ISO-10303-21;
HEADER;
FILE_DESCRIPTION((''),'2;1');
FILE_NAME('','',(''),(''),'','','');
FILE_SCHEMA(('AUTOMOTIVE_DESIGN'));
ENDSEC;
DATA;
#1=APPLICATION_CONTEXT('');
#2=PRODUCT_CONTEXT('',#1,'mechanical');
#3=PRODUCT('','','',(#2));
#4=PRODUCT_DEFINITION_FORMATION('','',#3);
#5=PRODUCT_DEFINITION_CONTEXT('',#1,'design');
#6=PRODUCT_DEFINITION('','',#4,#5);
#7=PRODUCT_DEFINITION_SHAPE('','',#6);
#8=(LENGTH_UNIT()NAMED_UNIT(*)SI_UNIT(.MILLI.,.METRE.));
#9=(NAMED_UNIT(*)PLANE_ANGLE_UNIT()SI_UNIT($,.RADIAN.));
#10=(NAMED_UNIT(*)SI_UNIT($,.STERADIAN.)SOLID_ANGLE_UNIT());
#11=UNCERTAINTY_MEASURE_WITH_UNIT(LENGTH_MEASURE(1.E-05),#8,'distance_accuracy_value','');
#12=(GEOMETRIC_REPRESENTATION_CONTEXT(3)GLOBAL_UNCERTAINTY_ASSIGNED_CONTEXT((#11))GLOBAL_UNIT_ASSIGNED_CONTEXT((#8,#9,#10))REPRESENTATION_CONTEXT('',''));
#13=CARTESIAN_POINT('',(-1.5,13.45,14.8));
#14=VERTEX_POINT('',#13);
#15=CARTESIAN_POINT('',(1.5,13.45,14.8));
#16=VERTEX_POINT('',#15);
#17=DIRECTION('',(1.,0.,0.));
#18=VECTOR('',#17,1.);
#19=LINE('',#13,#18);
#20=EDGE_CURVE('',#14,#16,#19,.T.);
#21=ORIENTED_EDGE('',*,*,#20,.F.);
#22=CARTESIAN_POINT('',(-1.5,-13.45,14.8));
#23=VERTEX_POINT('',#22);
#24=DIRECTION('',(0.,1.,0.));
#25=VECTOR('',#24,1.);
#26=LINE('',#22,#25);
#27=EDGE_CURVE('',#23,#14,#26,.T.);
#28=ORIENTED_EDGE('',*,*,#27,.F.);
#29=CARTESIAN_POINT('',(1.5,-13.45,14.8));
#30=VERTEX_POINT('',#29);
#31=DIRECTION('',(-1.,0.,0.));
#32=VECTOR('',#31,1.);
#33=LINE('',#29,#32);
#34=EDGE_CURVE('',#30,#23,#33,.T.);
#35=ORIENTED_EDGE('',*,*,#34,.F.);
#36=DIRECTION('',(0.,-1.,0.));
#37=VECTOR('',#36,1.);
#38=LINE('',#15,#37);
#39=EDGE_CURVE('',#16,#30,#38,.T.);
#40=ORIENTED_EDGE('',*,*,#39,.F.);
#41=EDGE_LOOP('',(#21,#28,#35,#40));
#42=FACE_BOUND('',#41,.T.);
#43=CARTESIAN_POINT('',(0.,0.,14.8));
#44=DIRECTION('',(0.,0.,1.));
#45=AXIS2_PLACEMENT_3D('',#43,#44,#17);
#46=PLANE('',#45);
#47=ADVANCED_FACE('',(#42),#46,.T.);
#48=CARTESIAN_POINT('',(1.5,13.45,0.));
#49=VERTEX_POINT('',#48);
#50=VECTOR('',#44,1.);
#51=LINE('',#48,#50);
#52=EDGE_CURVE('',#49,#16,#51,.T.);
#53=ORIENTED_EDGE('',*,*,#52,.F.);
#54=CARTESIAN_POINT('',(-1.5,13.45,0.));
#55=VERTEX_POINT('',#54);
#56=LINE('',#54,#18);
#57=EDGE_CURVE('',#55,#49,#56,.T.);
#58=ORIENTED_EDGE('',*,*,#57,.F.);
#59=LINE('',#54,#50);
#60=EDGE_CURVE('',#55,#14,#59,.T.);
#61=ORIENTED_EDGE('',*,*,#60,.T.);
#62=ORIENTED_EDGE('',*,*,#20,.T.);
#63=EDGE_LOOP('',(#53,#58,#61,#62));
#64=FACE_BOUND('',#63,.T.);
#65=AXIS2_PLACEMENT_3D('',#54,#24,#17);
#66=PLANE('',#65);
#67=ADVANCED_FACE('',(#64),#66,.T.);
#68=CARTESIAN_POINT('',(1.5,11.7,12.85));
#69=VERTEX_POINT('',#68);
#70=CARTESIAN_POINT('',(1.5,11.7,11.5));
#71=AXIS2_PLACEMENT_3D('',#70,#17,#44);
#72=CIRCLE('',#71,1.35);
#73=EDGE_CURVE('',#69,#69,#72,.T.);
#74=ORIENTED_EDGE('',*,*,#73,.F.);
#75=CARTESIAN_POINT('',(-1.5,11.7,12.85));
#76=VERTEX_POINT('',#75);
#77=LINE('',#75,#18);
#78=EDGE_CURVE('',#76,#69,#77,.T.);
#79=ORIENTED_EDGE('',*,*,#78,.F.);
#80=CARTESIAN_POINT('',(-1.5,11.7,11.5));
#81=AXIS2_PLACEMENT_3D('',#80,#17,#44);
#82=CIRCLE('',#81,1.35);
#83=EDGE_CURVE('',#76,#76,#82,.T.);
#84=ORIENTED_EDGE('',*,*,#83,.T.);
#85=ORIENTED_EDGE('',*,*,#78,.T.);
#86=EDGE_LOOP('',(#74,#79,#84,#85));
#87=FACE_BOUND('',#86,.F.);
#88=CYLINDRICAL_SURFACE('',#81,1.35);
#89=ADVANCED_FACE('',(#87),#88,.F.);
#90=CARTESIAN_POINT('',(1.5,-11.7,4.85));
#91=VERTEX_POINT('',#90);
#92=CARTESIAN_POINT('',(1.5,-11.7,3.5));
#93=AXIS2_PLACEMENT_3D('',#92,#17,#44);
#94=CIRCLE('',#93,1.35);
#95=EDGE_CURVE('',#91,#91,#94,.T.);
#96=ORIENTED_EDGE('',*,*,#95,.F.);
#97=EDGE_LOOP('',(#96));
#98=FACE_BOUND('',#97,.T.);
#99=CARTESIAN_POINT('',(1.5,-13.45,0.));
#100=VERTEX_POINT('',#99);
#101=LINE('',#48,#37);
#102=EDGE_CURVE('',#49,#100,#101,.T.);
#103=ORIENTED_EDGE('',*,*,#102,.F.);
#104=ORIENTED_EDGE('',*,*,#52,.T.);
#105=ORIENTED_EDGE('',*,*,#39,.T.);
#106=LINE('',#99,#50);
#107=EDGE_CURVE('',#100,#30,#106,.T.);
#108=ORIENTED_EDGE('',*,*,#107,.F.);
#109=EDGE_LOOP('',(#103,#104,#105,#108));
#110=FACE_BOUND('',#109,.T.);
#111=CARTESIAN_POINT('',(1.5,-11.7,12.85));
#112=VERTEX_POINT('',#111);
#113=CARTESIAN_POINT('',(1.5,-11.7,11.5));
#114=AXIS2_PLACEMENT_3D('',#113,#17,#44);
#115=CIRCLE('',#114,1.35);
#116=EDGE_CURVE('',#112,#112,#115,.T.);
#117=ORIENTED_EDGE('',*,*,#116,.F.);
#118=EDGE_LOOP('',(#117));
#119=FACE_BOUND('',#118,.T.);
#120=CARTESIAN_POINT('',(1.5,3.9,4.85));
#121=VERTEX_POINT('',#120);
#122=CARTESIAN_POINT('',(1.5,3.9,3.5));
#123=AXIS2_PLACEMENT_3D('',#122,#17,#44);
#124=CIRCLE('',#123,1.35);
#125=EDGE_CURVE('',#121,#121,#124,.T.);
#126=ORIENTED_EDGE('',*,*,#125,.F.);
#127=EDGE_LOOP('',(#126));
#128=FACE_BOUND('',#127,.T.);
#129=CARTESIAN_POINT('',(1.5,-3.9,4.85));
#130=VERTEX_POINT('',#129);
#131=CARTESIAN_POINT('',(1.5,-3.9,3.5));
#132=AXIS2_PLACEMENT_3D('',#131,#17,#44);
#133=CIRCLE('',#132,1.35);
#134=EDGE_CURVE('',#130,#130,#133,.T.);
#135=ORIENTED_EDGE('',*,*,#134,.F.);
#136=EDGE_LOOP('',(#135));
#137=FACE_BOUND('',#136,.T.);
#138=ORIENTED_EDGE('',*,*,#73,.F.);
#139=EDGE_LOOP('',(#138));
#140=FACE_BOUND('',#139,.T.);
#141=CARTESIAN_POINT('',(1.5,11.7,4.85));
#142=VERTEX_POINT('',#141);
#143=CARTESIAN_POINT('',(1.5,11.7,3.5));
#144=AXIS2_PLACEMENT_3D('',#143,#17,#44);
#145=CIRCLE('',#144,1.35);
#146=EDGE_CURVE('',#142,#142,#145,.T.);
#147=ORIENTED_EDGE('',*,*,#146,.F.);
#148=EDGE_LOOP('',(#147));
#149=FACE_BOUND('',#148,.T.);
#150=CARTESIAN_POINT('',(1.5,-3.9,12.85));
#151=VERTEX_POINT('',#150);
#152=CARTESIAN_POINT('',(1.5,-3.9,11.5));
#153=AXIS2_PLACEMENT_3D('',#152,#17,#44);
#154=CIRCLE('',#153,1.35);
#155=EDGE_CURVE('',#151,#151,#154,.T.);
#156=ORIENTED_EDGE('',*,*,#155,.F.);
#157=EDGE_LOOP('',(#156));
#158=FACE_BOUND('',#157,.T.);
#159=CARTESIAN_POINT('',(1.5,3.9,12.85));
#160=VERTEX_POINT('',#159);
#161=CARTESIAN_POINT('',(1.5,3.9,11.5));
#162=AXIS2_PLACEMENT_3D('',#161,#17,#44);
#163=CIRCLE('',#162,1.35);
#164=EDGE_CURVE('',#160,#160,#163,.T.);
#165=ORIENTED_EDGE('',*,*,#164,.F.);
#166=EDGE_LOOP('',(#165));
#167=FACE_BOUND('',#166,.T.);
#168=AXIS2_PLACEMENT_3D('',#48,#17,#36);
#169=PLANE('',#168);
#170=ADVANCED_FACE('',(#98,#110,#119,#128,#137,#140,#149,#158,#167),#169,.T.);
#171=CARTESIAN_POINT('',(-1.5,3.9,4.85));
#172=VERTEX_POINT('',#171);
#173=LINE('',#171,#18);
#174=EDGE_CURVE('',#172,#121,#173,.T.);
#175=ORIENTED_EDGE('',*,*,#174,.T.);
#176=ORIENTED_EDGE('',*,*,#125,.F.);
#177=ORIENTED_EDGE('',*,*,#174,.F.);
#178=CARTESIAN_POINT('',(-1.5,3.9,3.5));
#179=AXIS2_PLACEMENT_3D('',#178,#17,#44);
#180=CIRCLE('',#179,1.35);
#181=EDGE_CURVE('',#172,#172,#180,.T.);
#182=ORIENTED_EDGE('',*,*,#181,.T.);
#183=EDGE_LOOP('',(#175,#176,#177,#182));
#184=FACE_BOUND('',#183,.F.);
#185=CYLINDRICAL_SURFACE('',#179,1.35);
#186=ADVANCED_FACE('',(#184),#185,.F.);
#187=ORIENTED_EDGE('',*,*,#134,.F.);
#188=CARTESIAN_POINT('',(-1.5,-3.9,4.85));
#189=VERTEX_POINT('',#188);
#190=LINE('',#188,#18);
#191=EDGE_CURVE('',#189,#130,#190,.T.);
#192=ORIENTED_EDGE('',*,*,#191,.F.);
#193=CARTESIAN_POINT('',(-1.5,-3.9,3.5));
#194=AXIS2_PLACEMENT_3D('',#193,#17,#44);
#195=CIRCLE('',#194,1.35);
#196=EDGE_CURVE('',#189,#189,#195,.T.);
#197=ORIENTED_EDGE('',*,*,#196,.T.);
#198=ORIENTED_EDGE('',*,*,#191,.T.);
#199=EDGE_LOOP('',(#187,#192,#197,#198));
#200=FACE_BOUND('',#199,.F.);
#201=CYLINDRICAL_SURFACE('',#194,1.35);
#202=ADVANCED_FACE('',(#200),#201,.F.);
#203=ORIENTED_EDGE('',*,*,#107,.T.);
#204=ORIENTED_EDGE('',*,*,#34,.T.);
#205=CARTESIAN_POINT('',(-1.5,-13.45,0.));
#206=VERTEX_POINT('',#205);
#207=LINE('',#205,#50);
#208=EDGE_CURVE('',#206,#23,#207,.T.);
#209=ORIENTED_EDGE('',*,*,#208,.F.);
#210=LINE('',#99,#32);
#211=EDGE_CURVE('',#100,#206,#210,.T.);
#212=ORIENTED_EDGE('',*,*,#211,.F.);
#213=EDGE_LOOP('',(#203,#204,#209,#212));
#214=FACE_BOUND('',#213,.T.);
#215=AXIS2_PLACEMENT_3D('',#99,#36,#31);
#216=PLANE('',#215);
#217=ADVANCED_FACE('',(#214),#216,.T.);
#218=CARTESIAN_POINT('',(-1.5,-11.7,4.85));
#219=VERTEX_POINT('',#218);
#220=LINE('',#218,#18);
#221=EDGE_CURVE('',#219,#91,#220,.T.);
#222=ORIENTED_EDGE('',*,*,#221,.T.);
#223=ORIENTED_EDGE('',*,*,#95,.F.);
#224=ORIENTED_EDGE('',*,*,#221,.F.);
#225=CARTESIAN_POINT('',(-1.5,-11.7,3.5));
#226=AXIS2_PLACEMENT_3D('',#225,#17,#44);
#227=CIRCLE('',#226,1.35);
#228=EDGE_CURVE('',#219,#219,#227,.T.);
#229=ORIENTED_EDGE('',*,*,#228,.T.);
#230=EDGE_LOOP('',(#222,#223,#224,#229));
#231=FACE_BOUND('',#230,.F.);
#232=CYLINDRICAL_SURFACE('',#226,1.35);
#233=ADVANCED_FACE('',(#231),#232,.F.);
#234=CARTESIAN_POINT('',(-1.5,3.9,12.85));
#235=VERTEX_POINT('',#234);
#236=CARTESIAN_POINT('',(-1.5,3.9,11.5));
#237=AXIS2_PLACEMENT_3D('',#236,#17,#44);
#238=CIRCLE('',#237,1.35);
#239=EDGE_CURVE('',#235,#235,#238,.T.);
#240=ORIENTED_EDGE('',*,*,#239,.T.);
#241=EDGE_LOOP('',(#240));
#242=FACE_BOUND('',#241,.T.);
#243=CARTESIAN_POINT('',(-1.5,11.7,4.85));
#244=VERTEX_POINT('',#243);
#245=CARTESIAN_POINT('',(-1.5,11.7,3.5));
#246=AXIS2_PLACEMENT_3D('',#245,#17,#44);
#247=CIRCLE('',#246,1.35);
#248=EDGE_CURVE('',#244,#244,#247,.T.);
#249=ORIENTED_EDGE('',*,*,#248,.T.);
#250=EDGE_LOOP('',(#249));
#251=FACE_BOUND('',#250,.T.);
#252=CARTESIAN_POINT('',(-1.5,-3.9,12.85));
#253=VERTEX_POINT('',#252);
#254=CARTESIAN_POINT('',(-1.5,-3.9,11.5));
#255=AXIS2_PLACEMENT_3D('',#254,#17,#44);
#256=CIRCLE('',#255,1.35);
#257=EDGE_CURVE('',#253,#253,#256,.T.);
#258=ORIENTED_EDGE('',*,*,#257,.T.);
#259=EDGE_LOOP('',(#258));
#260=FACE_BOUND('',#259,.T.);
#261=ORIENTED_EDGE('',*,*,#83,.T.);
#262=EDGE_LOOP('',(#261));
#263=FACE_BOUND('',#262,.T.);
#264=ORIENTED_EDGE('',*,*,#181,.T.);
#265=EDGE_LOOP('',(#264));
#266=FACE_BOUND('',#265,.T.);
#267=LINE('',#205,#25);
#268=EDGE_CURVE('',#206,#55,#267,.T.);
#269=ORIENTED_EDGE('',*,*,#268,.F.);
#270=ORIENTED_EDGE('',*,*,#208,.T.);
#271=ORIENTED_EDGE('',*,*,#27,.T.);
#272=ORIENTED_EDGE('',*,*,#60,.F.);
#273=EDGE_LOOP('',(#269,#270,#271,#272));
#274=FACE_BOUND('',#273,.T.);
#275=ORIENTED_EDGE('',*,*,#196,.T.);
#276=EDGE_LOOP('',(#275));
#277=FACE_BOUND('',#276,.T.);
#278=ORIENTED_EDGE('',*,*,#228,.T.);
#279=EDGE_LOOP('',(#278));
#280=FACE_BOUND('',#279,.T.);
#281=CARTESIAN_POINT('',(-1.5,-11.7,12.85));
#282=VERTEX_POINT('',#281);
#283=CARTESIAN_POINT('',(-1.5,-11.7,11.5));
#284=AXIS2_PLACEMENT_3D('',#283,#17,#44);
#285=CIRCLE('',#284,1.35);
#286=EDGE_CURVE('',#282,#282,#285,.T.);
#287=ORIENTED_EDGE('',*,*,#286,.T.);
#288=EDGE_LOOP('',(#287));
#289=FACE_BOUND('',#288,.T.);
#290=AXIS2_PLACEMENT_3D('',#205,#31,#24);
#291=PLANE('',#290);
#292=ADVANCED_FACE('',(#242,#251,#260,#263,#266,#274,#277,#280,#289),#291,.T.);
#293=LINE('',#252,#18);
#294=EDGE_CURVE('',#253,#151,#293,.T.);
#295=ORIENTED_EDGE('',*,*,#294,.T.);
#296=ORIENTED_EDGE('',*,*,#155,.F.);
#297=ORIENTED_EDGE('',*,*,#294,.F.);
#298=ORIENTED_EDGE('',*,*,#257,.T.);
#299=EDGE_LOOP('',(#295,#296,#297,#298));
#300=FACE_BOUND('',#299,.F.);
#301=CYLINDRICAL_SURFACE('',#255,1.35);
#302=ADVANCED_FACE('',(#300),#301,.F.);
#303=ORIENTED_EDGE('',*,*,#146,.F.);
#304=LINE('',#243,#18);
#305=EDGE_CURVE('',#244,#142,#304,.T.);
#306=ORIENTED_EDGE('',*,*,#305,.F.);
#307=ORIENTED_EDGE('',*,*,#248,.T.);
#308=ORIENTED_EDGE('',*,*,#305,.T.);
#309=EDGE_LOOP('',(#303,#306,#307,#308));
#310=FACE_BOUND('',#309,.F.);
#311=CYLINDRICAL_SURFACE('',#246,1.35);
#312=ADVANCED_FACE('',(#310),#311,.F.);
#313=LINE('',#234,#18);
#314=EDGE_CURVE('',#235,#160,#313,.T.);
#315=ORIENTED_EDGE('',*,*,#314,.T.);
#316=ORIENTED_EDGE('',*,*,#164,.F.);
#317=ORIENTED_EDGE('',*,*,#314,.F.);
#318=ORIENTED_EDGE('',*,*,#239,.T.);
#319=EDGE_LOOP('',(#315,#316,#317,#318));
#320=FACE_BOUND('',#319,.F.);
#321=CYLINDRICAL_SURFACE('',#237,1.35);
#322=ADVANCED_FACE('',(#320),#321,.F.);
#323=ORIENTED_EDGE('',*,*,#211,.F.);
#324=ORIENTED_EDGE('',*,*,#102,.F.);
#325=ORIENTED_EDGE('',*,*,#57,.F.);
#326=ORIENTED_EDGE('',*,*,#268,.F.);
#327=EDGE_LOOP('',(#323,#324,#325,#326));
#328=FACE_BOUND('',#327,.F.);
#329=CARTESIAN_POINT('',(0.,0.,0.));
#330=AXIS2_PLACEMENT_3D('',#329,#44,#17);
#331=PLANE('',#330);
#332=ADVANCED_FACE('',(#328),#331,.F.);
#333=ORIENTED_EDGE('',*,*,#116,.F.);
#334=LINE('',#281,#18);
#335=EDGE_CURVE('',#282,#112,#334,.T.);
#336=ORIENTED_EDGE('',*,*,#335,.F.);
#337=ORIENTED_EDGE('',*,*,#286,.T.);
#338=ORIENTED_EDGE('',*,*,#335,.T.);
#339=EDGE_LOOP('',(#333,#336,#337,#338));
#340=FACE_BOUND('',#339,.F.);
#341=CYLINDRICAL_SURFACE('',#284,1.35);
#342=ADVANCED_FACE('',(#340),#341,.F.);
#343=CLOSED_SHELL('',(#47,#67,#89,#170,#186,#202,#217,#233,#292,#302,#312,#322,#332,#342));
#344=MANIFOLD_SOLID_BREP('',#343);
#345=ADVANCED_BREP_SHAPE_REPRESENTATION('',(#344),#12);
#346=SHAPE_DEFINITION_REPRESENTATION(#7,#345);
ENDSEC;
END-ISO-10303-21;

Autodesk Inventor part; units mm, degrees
ref_plane "YZ Plane" through (0, 0, 0) normal (1, 0, 0) x (0, 1, 0)
ref_plane "XZ Plane" through (0, 0, 0) normal (0, 1, 0) x (-1, 0, 0)
ref_plane "XY Plane" through (0, 0, 0) normal (0, 0, 1) x (1, 0, 0)
sketch "Skizze1" plane through (0, 0, 0) normal (0, 0, 1) x (1, 0, 0)
  line L0 (-1.5, 13.45) -> (1.5, 13.45)
  line L1 (1.5, 13.45) -> (1.5, -13.45)
  line L2 (1.5, -13.45) -> (-1.5, -13.45)
  line L3 (-1.5, -13.45) -> (-1.5, 13.45)
  line L4 (-1.5, -13.45) -> (1.5, 13.45) construction
  point P0 (0, 0)
  point P1 (0, 0)
  dimension "d0" = 3
  dimension "d1" = 26.9
extrude "Extrusion1" add sketch "Skizze1" along normal blind 14.8
sketch "Skizze2" plane through (-1.5, -13.45, 0) normal (-1, 0, 0) x (0, 0, 1)
  circle A0 centre (11.5, 25.15) radius 1.0065 projected
  circle A1 centre (3.5, 25.15) radius 1.0065 projected
  circle A2 centre (11.5, 17.35) radius 1.0065 projected
  circle A3 centre (3.5, 17.35) radius 1.0065 projected
  circle A4 centre (3.5, 9.55) radius 1.0065 projected
  circle A5 centre (11.5, 9.55) radius 1.0065 projected
  circle A6 centre (11.5, 1.75) radius 1.0065 projected
  circle A7 centre (3.5, 1.75) radius 1.0065 projected
  point P0 (0, 13.45)
hole "Bohrung1" at (-1.5, 11.7, 11.5) at (-1.5, 11.7, 3.5) at (-1.5, 3.9, 3.5) at (-1.5, 3.9, 11.5) at (-1.5, -3.9, 11.5) at (-1.5, -3.9, 3.5) at (-1.5, -11.7, 3.5) at (-1.5, -11.7, 11.5) direction (1, 0, 0) diameter 2.7 end through all
properties part number "USB Wärmeableiter 2"
